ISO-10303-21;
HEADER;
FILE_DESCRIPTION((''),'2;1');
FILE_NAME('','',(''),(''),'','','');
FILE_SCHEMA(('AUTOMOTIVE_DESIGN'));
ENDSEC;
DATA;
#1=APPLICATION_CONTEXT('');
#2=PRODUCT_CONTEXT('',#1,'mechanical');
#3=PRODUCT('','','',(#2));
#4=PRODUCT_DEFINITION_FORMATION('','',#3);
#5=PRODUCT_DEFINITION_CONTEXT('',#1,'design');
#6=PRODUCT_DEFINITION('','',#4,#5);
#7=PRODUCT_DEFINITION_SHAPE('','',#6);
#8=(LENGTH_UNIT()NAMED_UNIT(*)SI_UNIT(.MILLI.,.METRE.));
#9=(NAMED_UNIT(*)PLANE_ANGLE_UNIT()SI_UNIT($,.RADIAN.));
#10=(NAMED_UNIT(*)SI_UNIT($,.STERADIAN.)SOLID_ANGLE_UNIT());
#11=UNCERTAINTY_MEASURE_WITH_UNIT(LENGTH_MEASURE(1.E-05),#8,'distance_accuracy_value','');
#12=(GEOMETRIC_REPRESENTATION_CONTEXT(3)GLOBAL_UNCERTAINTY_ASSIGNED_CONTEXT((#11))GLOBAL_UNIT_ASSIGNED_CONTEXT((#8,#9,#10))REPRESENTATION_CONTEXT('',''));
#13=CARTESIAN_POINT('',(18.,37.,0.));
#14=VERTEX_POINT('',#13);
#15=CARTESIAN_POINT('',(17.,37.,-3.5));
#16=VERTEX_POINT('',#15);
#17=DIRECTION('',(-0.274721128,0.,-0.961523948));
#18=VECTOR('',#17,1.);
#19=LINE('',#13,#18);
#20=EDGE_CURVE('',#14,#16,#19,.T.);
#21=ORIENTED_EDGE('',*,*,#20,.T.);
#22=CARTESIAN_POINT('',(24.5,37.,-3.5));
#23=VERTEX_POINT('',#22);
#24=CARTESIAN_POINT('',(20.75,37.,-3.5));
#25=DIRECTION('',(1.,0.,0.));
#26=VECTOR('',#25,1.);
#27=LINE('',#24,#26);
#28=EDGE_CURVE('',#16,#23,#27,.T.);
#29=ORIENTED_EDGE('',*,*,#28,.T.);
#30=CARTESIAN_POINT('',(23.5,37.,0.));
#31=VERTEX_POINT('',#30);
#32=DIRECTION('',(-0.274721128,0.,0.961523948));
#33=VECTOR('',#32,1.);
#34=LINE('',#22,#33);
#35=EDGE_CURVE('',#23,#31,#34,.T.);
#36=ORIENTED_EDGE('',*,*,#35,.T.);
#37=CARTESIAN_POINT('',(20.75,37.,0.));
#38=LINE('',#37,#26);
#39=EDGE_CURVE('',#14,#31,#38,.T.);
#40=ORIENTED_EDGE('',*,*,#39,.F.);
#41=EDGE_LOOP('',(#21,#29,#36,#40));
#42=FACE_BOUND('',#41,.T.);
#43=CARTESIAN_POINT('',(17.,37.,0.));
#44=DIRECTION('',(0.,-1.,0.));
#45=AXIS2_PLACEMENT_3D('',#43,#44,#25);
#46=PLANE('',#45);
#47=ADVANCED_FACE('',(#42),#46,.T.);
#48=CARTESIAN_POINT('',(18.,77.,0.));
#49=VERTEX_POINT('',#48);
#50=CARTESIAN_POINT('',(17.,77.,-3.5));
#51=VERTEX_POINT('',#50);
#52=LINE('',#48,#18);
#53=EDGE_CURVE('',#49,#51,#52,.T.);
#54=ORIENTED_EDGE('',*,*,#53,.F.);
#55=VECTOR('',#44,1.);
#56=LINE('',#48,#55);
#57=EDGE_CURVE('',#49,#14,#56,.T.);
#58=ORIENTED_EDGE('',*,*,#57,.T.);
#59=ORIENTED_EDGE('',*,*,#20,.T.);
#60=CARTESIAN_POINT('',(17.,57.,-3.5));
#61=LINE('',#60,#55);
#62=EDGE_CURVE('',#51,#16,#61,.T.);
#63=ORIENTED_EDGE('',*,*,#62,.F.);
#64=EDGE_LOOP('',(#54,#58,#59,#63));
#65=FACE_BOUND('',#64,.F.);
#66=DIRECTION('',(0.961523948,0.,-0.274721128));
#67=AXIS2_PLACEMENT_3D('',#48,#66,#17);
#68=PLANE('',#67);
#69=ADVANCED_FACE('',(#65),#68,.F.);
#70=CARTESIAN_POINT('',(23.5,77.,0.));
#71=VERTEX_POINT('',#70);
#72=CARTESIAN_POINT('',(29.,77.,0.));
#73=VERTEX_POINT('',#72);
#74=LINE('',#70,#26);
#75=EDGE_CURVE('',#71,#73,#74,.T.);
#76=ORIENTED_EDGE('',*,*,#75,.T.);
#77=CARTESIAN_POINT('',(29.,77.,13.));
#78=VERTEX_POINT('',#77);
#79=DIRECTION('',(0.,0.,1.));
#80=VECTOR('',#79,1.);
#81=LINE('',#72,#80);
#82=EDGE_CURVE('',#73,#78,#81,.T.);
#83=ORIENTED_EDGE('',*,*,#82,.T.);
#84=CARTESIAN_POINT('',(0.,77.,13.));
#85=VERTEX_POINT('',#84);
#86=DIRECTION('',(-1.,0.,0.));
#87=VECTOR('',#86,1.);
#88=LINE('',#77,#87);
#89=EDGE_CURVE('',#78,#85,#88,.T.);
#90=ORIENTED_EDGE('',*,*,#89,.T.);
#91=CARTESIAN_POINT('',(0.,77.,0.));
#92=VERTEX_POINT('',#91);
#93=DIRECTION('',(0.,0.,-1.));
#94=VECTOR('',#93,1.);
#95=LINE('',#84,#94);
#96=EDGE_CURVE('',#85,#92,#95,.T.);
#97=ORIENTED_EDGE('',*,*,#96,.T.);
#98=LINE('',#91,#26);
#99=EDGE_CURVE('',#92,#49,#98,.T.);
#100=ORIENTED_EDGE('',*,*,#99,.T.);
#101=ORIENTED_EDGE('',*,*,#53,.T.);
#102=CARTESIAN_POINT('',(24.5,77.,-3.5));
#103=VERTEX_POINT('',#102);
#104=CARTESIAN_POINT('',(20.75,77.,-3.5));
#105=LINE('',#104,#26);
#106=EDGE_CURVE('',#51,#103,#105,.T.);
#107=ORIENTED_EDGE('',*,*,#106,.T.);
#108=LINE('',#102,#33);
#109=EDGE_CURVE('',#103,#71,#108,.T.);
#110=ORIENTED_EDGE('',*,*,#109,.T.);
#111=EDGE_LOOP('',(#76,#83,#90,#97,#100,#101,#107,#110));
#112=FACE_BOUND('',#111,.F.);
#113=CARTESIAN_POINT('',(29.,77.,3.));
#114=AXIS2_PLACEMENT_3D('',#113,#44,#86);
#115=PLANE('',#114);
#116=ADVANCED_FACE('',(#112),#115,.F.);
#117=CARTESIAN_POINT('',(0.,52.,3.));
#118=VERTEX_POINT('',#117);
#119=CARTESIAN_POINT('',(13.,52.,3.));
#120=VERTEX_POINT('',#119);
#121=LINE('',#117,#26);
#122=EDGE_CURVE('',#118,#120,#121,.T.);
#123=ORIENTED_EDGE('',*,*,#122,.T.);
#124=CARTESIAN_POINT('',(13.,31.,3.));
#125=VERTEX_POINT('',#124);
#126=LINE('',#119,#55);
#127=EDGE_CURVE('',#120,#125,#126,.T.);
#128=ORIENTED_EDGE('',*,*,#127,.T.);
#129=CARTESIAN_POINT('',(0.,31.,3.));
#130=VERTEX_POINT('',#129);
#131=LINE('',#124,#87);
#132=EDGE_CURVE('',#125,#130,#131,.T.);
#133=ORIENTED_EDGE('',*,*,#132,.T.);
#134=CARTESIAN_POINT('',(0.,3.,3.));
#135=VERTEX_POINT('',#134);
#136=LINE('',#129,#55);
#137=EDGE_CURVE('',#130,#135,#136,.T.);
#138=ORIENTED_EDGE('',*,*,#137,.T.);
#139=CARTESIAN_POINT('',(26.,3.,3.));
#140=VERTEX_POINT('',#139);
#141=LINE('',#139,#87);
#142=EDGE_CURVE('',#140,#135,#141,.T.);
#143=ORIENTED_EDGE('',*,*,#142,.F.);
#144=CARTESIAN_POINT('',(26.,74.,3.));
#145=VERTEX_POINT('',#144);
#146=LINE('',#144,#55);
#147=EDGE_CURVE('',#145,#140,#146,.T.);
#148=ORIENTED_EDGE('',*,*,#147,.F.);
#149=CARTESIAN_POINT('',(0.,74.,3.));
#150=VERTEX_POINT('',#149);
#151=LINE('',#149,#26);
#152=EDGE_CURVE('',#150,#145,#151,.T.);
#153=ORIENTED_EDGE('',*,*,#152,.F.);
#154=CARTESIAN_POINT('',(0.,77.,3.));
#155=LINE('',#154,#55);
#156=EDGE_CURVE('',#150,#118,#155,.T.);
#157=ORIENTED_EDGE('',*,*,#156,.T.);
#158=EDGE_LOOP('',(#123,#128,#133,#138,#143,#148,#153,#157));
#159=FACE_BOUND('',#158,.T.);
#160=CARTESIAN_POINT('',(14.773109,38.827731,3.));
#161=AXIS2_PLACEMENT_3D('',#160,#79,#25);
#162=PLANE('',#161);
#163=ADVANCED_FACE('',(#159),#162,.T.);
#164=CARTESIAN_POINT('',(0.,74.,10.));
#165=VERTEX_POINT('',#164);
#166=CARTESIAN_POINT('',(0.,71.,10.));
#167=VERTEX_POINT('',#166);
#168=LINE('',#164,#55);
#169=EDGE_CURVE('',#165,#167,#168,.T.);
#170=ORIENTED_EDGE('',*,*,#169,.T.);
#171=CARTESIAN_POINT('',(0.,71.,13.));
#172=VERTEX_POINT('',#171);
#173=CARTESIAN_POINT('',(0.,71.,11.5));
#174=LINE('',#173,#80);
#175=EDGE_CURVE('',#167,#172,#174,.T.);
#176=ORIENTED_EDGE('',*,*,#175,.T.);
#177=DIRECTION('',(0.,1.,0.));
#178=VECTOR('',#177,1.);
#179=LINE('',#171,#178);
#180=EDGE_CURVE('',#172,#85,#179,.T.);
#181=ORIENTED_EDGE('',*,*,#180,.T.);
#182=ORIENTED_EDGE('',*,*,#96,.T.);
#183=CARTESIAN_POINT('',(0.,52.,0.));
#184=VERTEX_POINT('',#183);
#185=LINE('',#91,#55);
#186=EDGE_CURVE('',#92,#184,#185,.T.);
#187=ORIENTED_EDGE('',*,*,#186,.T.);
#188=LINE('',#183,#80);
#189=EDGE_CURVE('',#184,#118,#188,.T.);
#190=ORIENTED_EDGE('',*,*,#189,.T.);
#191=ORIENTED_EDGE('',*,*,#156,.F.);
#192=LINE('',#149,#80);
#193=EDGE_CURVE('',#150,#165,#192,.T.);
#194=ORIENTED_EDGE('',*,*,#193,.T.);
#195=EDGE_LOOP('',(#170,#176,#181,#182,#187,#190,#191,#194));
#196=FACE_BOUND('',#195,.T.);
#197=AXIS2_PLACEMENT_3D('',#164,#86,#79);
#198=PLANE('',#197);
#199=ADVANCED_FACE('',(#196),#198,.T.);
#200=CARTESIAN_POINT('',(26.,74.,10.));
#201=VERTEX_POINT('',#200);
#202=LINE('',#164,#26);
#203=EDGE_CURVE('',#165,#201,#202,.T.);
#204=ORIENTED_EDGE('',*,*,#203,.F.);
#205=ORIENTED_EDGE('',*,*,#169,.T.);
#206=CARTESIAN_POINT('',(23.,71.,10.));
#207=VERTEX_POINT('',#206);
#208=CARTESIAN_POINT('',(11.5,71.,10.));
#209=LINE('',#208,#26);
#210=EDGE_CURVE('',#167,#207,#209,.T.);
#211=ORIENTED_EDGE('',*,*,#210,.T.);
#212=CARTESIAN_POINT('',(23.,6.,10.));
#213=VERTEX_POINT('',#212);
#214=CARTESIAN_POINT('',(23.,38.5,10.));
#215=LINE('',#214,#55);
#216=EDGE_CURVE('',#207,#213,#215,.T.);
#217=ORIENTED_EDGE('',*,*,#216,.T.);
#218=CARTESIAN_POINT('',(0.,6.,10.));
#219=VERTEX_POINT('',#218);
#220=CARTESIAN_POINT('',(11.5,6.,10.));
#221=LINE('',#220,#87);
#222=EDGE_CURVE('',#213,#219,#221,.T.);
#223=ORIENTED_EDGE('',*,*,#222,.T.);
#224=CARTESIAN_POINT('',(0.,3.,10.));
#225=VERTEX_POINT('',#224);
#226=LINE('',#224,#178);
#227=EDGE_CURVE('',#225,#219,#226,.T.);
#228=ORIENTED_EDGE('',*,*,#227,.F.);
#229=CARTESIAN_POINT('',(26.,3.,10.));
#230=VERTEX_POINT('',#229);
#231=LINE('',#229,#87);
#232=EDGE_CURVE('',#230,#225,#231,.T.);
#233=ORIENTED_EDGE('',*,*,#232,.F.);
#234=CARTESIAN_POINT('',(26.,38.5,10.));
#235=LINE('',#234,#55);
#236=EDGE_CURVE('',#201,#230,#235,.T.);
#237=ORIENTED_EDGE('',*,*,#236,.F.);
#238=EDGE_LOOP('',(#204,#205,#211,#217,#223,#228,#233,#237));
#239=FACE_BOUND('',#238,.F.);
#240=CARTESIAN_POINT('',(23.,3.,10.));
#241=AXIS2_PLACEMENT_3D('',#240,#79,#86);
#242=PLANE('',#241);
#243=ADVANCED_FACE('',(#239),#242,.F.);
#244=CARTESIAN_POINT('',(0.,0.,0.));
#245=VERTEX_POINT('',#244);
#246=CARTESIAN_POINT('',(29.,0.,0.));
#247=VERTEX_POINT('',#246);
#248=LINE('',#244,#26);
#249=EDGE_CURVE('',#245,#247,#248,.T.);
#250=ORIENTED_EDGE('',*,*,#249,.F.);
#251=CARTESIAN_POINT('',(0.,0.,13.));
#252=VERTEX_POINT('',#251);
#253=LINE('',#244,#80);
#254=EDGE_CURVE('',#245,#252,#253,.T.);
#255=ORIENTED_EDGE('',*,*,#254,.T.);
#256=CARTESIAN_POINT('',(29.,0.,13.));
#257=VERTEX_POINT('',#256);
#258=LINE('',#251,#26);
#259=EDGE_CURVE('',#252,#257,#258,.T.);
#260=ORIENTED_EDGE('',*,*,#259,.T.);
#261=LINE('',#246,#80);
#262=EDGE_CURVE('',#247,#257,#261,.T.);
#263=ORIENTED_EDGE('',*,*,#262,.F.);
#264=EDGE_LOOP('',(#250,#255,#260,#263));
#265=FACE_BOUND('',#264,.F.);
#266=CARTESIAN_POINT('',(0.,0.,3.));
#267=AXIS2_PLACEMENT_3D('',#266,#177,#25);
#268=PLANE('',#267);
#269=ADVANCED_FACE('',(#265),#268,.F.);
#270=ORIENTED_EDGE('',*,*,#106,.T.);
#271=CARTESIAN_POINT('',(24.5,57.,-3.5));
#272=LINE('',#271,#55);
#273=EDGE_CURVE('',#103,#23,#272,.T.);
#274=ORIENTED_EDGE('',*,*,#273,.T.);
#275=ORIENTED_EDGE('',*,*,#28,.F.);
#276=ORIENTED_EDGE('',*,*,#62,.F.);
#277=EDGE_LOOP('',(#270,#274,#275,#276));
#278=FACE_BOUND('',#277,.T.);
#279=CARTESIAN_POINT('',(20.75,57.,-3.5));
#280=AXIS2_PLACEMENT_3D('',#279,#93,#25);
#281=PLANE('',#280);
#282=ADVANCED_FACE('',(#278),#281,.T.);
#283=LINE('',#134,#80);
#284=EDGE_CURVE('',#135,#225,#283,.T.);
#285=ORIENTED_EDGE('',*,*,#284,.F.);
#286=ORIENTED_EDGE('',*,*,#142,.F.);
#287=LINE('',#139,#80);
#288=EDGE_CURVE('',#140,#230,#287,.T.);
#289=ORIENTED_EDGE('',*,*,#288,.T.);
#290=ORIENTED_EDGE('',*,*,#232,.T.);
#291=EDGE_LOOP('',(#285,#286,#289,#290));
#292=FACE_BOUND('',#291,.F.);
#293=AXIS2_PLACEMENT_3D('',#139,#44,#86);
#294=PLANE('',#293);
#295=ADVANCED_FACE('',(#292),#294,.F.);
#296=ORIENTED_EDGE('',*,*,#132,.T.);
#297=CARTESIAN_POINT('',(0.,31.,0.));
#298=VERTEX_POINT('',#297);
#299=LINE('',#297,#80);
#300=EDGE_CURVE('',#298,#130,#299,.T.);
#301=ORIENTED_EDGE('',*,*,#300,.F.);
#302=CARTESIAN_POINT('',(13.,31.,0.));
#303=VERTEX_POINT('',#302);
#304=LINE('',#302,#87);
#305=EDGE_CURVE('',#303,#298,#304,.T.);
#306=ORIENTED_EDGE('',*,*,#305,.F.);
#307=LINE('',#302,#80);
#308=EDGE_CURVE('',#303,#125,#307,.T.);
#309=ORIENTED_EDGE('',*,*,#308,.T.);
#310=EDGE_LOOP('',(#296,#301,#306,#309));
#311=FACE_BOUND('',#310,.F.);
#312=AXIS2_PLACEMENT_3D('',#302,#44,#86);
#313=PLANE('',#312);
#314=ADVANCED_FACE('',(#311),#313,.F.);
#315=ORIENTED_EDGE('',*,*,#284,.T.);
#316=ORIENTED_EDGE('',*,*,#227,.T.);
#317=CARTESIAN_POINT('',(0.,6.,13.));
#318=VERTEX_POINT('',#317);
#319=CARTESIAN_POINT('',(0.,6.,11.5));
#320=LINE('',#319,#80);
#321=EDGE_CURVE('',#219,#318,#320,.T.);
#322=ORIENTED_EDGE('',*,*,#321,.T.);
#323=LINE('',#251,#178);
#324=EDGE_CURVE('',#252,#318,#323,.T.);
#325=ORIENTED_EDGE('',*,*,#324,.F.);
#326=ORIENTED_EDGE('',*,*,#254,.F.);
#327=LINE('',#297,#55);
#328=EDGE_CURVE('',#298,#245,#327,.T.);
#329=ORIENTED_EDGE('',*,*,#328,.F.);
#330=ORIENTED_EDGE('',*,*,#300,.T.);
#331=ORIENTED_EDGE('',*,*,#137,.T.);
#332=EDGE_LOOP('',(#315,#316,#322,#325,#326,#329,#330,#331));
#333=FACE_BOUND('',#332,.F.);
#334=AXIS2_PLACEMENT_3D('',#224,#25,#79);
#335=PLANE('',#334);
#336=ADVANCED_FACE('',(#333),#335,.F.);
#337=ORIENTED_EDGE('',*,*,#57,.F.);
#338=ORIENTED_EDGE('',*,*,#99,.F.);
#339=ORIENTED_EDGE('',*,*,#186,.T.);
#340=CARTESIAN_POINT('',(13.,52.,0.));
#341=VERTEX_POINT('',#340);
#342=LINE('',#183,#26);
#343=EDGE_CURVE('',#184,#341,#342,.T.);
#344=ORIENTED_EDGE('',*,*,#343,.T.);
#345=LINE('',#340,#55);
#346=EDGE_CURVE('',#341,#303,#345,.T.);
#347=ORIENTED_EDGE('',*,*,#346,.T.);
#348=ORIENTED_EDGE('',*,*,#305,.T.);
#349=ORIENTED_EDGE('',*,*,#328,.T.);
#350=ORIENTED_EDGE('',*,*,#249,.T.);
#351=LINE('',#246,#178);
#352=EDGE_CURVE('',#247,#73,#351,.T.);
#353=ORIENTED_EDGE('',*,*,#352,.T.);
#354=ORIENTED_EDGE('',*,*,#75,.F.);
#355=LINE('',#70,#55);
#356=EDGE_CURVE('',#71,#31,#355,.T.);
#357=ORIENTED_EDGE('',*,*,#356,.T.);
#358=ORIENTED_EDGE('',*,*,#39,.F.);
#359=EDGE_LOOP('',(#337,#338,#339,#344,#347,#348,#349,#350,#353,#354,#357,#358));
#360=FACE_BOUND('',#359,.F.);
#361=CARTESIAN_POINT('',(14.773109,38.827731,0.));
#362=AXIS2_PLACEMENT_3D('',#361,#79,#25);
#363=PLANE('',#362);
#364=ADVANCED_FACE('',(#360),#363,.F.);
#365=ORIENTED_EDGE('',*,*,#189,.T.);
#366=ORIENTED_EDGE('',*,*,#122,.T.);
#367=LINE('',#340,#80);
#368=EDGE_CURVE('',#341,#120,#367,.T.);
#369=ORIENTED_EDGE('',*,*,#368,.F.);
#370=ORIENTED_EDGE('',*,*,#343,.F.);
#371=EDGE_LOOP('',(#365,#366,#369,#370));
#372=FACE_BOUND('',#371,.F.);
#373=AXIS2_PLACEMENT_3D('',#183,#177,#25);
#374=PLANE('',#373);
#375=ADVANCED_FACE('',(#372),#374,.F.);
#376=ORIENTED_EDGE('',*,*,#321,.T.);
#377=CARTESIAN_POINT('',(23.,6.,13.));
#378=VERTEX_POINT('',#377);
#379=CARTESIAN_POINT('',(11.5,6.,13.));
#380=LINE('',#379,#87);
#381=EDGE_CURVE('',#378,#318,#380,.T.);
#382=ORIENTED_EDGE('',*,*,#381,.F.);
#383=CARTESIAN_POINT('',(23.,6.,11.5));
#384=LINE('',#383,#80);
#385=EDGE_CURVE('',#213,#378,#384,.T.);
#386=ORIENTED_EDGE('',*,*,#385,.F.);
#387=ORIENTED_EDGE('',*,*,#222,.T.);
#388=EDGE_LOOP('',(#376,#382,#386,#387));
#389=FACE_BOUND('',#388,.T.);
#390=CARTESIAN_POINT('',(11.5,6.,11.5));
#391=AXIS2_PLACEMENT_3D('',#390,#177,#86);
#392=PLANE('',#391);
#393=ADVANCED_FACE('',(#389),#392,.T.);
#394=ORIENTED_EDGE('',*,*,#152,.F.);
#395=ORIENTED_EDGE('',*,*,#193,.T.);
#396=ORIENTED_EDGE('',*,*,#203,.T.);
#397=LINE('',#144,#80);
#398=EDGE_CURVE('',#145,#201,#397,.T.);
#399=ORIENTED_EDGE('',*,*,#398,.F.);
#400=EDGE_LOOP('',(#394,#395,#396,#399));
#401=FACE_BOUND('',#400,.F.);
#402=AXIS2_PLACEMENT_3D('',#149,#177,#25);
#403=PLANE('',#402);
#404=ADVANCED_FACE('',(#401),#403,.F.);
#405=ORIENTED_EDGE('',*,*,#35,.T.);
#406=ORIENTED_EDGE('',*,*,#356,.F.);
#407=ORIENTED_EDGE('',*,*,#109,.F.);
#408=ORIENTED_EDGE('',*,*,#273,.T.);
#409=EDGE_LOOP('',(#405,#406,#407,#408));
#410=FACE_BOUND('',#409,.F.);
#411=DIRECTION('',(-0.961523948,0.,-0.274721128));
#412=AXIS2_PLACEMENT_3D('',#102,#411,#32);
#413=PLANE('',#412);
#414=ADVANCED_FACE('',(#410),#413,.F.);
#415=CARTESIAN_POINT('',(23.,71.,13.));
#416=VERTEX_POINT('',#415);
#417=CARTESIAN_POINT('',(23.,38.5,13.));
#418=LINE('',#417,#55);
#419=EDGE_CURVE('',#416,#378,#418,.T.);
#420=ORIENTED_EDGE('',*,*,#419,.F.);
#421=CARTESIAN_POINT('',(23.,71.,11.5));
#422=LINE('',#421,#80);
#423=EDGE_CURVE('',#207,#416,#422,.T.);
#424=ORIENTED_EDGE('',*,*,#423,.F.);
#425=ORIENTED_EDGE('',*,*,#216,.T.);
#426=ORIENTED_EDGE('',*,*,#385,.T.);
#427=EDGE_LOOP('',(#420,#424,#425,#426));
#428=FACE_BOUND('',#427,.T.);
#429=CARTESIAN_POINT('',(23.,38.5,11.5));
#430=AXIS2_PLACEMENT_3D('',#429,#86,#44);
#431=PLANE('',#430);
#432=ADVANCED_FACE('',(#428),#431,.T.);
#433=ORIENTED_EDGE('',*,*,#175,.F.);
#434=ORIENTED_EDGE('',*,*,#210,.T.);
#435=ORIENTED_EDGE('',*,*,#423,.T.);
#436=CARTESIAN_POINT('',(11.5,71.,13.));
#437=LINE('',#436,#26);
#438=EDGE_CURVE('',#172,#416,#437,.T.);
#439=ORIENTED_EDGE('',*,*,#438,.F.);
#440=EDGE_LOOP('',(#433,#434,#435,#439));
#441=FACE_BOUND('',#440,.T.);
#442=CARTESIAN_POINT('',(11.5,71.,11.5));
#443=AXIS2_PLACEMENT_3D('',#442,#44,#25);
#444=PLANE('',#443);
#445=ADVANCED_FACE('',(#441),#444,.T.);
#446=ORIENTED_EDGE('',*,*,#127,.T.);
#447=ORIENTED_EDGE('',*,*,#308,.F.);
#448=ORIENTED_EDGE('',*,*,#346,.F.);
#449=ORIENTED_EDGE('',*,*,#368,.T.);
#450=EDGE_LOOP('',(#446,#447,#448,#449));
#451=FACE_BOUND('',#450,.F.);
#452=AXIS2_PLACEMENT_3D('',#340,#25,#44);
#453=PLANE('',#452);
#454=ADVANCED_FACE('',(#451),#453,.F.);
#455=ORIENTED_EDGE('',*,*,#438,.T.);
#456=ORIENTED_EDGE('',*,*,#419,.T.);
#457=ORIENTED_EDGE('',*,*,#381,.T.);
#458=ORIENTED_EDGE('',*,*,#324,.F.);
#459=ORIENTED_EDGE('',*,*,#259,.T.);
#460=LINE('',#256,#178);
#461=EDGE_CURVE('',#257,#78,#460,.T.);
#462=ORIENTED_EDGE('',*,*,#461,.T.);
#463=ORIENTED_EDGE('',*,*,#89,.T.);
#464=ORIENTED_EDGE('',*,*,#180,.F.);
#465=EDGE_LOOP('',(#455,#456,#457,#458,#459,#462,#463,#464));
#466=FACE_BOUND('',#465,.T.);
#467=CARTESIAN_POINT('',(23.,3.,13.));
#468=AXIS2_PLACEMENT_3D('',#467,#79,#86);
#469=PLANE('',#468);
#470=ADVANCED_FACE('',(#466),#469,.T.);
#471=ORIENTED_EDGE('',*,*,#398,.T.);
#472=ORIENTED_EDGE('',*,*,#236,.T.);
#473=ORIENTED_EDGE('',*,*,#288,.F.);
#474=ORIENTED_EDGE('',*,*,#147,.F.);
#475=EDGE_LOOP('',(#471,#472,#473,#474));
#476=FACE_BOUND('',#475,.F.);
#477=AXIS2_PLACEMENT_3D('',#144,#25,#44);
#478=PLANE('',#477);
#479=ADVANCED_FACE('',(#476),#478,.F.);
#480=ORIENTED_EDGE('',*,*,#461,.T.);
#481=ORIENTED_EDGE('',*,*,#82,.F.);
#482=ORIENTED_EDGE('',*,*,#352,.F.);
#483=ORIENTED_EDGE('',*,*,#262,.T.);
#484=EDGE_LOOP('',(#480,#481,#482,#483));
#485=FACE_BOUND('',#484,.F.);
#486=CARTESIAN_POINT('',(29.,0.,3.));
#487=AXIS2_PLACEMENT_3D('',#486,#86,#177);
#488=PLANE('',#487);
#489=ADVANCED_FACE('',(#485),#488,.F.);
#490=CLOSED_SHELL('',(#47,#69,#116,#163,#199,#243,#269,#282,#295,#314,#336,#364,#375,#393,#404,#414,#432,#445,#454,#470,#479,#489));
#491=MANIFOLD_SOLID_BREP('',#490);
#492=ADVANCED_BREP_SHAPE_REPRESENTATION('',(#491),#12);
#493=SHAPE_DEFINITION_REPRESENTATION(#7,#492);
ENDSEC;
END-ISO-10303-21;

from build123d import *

# Parameters (mm, degrees)
F1_DEPTH  = 3
F3_DEPTH  = 10
F4_W      = 71
F4_H      = 3
F5_DEPTH  = 3
F6_W      = 23
F6_H      = 3
F7_DEPTH  = 3
F8_W      = 23
F8_H      = 3
F9_DEPTH  = 3
F10_W     = 7.5
F10_H     = 40
F11_DEPTH = 3.5
F13_DEPTH = 40
F14_DEPTH = 40


with BuildPart() as f1:
    # F0 (on Top) → F1 (new body)
    with BuildSketch(Plane.XY):
        Polygon((0, 31), (0, 0), (29, 0), (29, 77), (0, 77), (0, 52), (13, 52), (13, 31), align=None)
    extrude(amount=F1_DEPTH)

    # F2 (on face) → F3 (join)
    with BuildSketch(Plane.XY.offset(3)):
        Polygon((26, 3), (0, 3), (0, 0), (29, 0), (29, 77), (0, 77), (0, 74), (26, 74), align=None)
    extrude(amount=F3_DEPTH)

    # F4 (on face) → F5 (join)
    with BuildSketch(Plane(origin=(26, 0, 0), x_dir=(0, -1, 0), z_dir=(-1, 0, 0))):
        with Locations((-38.5, 11.5)):
            Rectangle(F4_W, F4_H)
    extrude(amount=F5_DEPTH)

    # F6 (on face) → F7 (join)
    with BuildSketch(Plane.XZ.offset(-74)):
        with Locations((11.5, 11.5)):
            Rectangle(F6_W, F6_H)
    extrude(amount=F7_DEPTH)

    # F8 (on face) → F9 (join)
    with BuildSketch(Plane(origin=(0, 3, 0), x_dir=(-1, 0, 0), z_dir=(0, 1, 0))):
        with Locations((-11.5, 11.5)):
            Rectangle(F8_W, F8_H)
    extrude(amount=F9_DEPTH)

    # F10 (on face) → F11 (join)
    with BuildSketch(Plane(origin=(0, 0, 0), x_dir=(1, 0, 0), z_dir=(0, 0, -1))):
        with Locations((20.75, -57)):
            Rectangle(F10_W, F10_H)
    extrude(amount=F11_DEPTH)

    # F12 (on face) → F13 (cut)
    with BuildSketch(Plane(origin=(0, 77, 0), x_dir=(-1, 0, 0), z_dir=(0, 1, 0))):
        Polygon((-24.5, 0), (-24.5, -3.5), (-23.5, 0), align=None)
    extrude(amount=-F13_DEPTH, mode=Mode.SUBTRACT)

    # F12 (on face) → F14 (cut)
    with BuildSketch(Plane(origin=(0, 77, 0), x_dir=(-1, 0, 0), z_dir=(0, 1, 0))):
        Polygon((-18, 0), (-17, -3.5), (-17, 0), align=None)
    extrude(amount=-F14_DEPTH, mode=Mode.SUBTRACT)


solid = f1.part
